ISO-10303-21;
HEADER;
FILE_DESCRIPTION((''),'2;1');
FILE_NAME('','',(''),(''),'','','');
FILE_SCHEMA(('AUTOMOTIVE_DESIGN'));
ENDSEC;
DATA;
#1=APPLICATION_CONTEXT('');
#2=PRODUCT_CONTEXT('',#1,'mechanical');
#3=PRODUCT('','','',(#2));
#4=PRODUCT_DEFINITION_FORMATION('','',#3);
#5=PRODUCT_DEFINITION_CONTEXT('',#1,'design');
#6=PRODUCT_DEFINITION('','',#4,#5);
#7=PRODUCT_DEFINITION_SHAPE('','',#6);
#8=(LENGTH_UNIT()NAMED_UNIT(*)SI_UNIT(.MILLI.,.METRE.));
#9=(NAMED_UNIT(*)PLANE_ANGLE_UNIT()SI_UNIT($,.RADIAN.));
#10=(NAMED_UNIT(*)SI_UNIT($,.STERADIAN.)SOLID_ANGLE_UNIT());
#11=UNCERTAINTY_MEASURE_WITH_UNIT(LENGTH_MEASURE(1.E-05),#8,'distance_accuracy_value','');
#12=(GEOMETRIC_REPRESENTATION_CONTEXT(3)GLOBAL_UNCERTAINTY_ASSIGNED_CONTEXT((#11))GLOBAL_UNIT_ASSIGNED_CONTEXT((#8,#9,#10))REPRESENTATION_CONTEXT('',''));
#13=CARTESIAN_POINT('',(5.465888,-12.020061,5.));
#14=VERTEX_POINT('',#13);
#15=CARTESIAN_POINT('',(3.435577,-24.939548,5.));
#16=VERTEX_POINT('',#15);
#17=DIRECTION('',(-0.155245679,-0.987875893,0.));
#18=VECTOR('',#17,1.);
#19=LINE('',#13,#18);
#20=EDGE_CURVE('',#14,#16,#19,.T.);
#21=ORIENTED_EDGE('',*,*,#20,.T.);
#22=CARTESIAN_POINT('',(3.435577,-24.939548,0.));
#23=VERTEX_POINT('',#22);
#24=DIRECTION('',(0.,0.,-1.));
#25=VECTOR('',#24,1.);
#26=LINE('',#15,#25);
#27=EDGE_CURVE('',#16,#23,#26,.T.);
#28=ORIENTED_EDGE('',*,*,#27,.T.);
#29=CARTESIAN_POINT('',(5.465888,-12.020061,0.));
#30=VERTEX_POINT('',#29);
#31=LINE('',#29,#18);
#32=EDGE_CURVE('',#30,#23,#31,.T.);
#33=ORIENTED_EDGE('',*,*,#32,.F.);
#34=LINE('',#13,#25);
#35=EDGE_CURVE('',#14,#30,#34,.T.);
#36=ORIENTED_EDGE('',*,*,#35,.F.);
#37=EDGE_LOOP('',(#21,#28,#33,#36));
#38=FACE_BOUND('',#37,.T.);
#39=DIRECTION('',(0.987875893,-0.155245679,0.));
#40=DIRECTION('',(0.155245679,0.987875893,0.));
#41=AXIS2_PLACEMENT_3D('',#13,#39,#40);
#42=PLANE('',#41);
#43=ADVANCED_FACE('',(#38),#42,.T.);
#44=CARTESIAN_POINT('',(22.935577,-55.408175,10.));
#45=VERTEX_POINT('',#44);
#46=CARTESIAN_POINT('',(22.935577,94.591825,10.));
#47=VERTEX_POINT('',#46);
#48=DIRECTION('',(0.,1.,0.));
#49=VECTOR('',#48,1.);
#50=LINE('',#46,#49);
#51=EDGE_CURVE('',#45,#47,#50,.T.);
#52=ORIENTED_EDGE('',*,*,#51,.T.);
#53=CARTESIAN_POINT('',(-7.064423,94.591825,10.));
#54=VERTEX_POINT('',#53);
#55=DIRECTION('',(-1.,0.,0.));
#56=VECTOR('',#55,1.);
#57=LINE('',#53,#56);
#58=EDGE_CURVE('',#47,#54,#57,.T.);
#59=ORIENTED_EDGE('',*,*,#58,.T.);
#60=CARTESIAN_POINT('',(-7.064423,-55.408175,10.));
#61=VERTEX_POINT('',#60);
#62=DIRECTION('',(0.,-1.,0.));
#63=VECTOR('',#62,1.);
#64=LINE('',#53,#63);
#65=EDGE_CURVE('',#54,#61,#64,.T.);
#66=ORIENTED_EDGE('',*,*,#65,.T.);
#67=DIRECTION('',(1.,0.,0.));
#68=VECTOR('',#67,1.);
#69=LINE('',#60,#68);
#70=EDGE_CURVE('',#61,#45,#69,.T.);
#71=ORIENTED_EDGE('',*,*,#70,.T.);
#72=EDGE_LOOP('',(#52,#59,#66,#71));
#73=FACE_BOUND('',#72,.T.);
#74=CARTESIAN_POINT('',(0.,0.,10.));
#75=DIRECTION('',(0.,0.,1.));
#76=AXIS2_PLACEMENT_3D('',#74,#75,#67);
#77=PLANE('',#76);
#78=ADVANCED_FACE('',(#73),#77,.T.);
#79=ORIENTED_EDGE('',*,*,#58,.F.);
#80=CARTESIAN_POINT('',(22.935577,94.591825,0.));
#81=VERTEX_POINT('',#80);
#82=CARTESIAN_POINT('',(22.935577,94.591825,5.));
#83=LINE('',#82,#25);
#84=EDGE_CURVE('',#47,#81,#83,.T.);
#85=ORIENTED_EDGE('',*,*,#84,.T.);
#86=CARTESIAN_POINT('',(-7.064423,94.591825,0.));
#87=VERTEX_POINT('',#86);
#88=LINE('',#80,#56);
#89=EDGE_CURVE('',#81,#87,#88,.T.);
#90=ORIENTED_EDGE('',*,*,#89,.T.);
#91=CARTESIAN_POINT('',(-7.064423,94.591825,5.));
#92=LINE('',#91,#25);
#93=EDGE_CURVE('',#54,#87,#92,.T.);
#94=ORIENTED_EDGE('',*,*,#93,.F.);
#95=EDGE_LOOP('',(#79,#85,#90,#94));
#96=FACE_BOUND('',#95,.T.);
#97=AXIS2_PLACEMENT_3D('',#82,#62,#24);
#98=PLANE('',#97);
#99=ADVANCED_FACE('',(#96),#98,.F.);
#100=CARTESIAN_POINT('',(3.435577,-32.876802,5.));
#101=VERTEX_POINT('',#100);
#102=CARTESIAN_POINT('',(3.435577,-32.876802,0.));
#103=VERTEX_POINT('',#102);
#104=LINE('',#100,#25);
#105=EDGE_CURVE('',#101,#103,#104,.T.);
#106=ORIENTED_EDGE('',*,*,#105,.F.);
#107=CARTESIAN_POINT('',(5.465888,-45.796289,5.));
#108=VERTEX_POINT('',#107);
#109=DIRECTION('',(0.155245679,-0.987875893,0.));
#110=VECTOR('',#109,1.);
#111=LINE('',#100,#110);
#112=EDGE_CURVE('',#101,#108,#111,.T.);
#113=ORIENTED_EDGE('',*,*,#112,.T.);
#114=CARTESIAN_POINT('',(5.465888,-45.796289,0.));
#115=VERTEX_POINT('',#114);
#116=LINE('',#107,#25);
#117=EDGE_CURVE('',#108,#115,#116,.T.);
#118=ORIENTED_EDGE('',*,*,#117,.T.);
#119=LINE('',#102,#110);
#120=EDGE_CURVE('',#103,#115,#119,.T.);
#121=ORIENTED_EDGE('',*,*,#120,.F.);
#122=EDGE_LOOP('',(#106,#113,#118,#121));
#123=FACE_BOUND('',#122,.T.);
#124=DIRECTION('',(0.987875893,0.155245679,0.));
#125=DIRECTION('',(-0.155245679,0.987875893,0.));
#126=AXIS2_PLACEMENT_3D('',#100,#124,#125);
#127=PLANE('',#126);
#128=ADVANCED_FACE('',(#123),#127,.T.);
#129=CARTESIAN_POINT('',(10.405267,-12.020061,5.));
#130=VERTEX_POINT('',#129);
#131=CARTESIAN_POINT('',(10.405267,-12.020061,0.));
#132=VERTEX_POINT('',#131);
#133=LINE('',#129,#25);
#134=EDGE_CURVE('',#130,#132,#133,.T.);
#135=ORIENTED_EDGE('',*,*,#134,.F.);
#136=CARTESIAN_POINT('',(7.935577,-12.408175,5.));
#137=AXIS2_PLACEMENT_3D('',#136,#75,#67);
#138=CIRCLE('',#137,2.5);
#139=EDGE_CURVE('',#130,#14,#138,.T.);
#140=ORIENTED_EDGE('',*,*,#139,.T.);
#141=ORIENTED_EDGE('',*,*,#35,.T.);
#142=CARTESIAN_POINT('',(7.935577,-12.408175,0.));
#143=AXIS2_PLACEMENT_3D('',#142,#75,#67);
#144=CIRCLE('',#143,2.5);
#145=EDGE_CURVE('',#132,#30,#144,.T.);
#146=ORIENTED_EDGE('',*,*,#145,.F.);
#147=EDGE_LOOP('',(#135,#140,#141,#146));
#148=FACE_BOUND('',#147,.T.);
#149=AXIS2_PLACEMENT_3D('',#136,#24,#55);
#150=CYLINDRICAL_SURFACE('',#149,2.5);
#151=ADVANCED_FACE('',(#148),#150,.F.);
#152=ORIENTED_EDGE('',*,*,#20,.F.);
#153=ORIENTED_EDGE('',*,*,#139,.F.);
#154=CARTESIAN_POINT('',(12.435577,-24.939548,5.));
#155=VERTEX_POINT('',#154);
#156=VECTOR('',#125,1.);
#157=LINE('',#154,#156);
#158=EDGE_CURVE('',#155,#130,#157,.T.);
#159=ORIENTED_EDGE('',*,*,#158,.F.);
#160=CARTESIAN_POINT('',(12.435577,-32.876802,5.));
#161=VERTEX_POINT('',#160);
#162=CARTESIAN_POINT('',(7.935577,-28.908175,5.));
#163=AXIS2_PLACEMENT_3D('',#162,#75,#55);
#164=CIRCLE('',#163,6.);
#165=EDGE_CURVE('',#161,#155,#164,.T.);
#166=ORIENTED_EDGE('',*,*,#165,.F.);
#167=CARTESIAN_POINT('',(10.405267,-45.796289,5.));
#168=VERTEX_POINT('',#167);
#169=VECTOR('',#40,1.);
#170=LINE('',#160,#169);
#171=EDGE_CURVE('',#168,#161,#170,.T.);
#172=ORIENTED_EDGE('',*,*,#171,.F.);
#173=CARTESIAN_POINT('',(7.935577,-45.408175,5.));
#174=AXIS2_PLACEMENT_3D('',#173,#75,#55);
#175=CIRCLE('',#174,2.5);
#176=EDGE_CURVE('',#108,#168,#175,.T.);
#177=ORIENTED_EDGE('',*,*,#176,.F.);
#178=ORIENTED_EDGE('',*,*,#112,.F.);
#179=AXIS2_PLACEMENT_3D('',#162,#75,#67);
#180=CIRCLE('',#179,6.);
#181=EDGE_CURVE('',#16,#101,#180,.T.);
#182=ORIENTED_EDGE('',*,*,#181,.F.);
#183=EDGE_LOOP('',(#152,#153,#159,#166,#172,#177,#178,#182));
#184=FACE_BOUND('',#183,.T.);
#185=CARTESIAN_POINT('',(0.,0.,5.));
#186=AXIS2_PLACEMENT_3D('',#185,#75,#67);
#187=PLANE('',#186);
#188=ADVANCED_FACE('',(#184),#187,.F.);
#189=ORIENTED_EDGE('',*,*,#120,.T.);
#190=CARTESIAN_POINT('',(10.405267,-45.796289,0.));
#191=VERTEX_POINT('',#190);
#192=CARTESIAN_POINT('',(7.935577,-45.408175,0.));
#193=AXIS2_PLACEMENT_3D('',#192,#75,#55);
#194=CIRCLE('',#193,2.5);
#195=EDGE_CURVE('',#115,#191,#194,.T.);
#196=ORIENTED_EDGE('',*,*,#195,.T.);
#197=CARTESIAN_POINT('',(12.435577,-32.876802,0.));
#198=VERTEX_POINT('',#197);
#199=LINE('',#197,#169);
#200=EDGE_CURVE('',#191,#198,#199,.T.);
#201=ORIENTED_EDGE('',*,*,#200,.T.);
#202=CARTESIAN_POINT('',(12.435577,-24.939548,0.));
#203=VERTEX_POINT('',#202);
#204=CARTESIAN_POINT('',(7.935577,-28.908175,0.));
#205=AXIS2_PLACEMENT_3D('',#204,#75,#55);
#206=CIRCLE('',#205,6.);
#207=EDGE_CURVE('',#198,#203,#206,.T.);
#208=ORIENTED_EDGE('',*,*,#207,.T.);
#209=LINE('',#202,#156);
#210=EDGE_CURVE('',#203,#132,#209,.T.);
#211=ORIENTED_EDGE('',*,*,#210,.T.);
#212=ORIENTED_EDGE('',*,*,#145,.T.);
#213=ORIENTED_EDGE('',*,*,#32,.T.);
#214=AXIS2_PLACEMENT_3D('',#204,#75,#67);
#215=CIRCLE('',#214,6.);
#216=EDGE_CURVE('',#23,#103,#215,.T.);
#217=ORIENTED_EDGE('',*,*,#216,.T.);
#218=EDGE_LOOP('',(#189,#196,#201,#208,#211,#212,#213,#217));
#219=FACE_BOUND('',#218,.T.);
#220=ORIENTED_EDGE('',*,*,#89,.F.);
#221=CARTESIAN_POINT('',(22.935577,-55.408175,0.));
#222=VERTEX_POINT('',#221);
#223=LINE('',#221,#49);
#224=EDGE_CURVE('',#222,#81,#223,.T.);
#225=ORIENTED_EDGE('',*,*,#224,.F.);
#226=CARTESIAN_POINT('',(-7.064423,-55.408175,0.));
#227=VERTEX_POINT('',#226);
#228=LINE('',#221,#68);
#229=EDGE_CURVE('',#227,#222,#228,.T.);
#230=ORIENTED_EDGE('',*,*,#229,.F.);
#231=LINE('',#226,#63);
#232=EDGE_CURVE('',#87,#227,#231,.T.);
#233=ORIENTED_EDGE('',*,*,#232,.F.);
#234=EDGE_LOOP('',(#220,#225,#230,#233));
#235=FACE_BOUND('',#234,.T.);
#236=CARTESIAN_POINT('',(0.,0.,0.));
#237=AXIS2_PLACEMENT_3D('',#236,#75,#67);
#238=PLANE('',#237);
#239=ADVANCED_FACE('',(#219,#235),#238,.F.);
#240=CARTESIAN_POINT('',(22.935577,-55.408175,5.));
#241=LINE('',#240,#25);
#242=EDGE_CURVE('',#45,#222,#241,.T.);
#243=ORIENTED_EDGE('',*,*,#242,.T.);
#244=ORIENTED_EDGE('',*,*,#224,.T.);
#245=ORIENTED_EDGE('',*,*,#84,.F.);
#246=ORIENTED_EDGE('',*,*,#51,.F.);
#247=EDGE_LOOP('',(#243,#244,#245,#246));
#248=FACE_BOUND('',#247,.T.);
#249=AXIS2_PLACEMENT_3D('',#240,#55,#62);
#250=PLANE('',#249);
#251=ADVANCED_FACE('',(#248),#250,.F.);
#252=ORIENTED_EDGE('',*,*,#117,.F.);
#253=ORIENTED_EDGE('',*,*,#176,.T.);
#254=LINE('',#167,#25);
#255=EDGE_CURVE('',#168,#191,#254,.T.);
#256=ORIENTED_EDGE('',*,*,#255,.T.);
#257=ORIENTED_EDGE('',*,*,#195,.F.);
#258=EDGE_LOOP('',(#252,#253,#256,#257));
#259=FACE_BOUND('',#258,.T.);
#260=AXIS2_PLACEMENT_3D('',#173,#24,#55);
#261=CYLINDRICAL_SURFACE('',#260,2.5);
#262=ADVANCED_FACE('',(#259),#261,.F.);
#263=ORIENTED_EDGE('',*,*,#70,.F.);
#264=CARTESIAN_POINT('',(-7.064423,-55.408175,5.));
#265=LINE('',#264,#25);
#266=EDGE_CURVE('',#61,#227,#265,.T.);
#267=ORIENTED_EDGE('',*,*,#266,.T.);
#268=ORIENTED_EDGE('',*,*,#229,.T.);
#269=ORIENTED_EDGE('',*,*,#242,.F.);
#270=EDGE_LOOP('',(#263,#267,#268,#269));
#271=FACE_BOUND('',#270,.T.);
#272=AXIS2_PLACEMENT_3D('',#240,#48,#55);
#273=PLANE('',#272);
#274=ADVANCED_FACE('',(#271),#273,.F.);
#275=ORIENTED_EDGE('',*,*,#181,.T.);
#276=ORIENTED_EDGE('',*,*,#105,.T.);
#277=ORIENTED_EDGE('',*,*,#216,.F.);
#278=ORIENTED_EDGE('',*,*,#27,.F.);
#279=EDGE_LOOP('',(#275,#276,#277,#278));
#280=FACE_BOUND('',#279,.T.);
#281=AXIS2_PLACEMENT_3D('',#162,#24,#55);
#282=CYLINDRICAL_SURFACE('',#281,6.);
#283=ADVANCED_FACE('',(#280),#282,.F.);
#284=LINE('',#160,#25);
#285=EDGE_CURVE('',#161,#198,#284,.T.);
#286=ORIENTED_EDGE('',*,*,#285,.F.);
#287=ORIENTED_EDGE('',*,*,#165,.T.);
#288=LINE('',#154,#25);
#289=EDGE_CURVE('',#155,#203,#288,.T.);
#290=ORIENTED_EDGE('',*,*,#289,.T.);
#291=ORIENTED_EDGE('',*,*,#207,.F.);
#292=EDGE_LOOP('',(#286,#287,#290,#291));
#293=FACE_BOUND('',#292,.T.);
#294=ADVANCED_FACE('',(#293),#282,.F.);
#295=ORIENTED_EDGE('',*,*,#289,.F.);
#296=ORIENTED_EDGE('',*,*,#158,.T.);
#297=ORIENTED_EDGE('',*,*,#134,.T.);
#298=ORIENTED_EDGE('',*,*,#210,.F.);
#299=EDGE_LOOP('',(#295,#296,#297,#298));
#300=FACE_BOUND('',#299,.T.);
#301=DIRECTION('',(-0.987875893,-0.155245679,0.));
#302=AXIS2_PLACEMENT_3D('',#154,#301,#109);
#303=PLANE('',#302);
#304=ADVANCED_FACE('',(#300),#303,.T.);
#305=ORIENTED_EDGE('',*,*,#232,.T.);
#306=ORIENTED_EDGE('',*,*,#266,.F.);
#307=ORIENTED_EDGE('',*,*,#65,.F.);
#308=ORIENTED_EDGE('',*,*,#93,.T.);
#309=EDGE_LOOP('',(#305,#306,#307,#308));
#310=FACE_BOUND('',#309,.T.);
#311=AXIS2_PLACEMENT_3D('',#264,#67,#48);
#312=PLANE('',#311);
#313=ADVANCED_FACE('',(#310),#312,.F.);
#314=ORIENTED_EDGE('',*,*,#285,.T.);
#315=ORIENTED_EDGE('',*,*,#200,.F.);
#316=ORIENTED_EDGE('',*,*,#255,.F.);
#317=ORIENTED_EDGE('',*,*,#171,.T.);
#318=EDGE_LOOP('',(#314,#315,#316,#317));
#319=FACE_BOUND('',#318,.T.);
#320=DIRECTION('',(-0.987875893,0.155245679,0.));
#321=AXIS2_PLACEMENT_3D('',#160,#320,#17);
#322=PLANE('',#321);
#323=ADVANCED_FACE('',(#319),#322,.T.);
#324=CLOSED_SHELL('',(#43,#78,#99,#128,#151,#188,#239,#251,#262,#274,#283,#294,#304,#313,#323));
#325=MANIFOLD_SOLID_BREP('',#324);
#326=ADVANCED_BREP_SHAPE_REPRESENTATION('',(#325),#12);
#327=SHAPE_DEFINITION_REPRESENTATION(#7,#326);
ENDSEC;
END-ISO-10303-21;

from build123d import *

# Parameters (mm, degrees)
ESQUISSE1_W        = 30
ESQUISSE1_H        = 150
BOSS_EXTRU_1_DEPTH = 5
ESQUISSE2_W        = 30
ESQUISSE2_H        = 150
BOSS_EXTRU_2_DEPTH = 5


with BuildPart() as part:
    # Esquisse1 → Boss.-Extru.1 (new body)
    with BuildSketch(Plane.XY):
        with Locations((7.935577486, 19.591824872)):
            Rectangle(ESQUISSE1_W, ESQUISSE1_H)
        with BuildLine():
            Line((12.435577486, -32.876802094), (10.405267218, -45.796289326))
            ThreePointArc((10.405267218, -45.796289326), (7.935577486, -47.908175128), (5.465887755, -45.796289326))
            Line((5.465887755, -45.796289326), (3.435577486, -32.876802094))
            ThreePointArc((3.435577486, -32.876802094), (1.935577486, -28.908175128), (3.435577486, -24.939548161))
            Line((3.435577486, -24.939548161), (5.465887755, -12.02006093))
            ThreePointArc((5.465887755, -12.02006093), (7.935577486, -9.908175128), (10.405267218, -12.02006093))
            Line((10.405267218, -12.02006093), (12.435577486, -24.939548161))
            ThreePointArc((12.435577486, -24.939548161), (13.935577486, -28.908175128), (12.435577486, -32.876802094))
        make_face(mode=Mode.SUBTRACT)
    extrude(amount=BOSS_EXTRU_1_DEPTH)

    # Esquisse2 → Boss.-Extru.2 (add)
    with BuildSketch(Plane.XY.offset(5)):
        with Locations((7.935577486, 19.591824872)):
            Rectangle(ESQUISSE2_W, ESQUISSE2_H)
    extrude(amount=BOSS_EXTRU_2_DEPTH)


solid = part.part
